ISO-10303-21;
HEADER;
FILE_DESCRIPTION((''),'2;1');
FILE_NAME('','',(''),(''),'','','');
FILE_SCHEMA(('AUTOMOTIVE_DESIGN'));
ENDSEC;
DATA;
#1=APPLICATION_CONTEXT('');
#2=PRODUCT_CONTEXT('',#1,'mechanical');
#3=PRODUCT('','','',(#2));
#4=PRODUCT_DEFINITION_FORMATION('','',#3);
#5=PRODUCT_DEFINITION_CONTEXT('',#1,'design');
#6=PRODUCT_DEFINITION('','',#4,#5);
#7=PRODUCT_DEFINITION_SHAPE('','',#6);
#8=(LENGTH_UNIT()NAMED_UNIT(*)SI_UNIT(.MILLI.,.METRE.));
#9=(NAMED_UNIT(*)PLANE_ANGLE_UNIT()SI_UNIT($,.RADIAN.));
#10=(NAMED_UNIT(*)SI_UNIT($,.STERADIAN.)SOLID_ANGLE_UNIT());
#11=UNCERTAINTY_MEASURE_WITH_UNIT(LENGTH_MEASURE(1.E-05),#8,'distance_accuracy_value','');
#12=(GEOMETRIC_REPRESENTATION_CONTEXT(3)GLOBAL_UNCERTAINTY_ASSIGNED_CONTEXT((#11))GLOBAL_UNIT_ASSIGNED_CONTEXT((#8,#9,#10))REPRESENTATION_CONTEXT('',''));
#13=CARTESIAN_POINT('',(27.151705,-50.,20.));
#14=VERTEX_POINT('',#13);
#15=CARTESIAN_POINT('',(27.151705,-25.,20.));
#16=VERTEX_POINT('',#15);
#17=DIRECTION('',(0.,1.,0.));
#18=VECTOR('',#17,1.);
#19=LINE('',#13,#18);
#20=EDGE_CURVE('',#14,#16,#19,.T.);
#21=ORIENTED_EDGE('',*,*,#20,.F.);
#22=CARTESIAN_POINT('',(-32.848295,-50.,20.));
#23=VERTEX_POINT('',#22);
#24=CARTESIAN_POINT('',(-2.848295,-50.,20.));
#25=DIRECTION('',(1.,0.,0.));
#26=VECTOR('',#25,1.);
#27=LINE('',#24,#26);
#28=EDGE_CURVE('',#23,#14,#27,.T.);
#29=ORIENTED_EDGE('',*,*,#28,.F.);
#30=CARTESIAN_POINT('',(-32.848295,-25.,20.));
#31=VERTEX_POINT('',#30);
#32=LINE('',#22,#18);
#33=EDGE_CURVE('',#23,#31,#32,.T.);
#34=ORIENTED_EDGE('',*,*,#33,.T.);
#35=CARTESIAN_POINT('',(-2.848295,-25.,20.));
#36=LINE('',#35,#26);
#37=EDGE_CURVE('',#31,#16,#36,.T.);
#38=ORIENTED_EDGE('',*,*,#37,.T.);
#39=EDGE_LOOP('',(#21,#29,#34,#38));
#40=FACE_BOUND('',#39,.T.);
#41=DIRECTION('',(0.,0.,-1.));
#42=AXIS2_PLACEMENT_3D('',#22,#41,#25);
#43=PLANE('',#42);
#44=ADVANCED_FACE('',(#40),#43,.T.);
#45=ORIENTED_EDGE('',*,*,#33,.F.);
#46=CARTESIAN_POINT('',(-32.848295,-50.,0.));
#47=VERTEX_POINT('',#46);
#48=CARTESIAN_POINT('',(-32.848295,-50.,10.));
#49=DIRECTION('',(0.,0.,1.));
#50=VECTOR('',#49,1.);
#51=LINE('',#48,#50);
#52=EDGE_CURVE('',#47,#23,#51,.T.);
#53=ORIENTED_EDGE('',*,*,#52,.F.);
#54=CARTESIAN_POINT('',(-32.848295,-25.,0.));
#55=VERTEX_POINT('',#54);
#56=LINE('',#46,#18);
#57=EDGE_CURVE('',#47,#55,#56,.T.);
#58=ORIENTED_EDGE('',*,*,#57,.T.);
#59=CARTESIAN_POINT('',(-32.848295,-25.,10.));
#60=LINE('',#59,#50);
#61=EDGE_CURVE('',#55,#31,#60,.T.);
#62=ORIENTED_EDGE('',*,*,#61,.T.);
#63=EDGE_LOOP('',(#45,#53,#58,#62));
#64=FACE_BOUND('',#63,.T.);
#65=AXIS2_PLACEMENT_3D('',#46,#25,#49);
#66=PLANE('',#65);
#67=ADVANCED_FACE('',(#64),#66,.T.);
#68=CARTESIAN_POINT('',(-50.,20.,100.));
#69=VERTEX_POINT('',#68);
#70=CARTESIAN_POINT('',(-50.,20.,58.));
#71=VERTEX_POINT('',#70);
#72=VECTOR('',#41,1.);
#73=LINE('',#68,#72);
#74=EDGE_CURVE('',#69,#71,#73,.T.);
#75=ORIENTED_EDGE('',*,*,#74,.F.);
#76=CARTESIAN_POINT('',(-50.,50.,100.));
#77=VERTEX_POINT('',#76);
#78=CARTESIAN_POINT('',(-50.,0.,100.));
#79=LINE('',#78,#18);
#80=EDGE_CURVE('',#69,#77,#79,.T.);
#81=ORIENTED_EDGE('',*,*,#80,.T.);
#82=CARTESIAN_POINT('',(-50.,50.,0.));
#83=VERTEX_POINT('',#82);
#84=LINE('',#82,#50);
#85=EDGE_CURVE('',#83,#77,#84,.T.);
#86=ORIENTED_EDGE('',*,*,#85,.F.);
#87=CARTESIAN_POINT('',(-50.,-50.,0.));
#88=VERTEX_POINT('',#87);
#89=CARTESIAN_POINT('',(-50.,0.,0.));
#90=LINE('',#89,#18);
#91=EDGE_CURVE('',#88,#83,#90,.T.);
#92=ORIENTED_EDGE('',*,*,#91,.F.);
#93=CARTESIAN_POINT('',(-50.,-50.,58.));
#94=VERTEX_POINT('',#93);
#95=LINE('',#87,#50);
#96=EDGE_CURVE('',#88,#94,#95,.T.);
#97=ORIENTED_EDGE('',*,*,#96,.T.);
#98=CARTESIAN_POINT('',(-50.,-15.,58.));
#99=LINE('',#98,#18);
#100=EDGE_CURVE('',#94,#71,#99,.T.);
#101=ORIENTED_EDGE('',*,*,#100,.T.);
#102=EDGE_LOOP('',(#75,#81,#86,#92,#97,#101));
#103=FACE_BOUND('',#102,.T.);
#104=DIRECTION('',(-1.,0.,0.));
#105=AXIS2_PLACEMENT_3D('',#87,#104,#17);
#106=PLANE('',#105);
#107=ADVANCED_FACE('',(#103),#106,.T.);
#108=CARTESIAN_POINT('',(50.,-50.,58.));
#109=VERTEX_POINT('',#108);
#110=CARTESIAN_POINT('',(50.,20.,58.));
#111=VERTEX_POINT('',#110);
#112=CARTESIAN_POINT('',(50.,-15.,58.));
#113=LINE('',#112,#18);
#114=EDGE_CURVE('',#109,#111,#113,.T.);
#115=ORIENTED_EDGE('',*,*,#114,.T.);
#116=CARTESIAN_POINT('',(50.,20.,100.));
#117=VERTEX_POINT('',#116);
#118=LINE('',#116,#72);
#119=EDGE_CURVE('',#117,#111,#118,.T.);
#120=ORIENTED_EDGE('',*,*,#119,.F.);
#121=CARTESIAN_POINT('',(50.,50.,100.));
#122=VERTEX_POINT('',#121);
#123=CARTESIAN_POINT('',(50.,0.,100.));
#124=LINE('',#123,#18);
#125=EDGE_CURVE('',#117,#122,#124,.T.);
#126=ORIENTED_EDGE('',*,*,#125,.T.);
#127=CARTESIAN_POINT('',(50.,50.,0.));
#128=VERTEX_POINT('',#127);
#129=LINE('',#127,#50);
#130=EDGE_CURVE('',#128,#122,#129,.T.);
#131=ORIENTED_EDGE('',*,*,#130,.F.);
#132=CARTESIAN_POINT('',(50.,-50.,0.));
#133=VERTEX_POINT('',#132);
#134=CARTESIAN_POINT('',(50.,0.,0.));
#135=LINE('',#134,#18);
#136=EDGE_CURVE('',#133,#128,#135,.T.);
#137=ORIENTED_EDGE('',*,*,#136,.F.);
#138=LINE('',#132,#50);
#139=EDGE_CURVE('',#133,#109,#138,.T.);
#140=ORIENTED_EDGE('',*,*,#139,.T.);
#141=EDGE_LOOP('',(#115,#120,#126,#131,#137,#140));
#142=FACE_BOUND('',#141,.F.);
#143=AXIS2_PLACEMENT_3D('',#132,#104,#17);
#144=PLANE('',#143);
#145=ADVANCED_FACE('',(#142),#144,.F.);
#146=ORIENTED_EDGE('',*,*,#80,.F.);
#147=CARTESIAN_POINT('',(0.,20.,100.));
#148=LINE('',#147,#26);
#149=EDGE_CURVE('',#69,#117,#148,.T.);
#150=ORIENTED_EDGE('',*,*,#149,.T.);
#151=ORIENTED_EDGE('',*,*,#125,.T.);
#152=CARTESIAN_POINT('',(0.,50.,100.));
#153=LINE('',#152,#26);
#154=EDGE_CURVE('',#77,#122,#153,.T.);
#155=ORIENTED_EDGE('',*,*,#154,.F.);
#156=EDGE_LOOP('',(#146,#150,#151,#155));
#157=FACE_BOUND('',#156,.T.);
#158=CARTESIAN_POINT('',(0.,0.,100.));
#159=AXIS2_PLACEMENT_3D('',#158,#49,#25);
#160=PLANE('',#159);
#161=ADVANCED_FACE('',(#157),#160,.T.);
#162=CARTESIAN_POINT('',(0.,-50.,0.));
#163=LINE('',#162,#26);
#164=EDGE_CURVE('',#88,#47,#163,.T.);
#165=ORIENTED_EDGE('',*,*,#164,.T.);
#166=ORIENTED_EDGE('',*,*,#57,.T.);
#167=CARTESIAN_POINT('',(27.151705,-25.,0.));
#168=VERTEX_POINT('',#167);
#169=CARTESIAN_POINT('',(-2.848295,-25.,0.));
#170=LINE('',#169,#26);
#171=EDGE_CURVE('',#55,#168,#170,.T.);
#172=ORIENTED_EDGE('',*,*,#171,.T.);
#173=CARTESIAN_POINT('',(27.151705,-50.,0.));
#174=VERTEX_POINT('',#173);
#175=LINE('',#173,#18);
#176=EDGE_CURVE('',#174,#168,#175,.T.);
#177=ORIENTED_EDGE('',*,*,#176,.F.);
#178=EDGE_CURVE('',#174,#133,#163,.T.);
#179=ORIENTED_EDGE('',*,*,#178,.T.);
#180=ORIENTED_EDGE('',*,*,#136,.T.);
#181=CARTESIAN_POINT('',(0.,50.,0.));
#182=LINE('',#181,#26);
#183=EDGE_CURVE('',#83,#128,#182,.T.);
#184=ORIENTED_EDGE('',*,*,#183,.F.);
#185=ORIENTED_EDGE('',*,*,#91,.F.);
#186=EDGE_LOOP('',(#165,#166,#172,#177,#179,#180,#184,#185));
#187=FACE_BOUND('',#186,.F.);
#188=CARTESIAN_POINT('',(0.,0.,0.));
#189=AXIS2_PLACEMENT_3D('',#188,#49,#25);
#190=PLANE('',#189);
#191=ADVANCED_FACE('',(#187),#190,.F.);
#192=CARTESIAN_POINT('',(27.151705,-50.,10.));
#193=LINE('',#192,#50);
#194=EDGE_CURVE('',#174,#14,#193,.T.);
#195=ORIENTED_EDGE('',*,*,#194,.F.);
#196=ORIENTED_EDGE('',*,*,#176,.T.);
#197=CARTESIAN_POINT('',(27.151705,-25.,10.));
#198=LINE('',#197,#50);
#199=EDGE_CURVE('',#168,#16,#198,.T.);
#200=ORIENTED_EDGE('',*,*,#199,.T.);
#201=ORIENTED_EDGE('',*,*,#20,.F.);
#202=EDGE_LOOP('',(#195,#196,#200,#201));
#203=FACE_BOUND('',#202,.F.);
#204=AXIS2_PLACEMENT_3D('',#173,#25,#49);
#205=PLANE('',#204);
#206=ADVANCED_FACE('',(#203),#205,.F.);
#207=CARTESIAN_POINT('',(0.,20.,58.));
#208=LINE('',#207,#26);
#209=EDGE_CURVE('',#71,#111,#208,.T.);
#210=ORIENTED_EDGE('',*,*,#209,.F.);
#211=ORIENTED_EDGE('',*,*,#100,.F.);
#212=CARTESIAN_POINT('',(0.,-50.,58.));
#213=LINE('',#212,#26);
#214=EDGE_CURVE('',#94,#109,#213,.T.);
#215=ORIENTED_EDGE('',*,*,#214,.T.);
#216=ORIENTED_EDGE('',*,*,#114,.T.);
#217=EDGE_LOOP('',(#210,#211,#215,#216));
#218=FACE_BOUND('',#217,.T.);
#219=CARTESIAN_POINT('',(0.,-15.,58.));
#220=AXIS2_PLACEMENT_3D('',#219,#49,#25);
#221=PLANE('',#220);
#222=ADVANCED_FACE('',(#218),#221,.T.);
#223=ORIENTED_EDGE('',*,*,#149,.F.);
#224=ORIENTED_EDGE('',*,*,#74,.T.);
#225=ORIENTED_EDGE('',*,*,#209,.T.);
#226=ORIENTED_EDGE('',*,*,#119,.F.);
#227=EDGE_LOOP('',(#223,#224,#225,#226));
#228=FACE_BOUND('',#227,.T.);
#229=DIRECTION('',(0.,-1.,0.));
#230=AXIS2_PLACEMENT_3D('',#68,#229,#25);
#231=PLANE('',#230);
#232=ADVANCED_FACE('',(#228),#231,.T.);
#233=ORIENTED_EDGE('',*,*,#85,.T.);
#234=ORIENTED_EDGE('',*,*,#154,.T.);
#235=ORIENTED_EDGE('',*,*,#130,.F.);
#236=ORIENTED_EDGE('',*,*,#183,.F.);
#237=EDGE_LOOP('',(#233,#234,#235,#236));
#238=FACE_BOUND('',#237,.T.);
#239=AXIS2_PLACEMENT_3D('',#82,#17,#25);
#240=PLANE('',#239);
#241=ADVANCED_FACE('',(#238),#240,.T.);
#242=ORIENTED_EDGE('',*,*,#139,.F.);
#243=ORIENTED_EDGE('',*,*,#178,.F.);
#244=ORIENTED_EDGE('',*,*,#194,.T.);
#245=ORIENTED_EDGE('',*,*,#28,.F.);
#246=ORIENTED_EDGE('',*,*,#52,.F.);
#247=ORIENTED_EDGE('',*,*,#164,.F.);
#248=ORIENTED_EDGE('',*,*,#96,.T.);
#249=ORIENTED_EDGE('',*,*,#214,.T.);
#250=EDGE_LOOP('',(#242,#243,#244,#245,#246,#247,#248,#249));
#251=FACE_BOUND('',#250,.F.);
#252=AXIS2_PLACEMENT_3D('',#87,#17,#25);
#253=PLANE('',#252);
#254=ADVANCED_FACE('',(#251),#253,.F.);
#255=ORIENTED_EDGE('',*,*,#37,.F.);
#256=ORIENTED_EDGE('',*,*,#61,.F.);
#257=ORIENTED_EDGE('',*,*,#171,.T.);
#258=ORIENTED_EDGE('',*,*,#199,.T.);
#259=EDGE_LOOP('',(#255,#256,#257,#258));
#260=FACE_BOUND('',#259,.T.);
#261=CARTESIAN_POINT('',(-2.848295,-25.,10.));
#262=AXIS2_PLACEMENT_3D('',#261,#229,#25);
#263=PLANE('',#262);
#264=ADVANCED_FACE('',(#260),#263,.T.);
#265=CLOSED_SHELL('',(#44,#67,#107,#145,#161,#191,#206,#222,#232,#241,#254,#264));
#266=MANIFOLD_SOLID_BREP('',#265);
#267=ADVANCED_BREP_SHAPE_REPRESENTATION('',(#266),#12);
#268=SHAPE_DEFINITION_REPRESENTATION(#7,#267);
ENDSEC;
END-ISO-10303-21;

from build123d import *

# Parameters (mm, degrees)
F0_W     = 100
F0_H     = 100
F1_DEPTH = 100
F2_W     = 100
F2_H     = 70
F3_DEPTH = 42
F4_W     = 60
F4_H     = 20
F5_DEPTH = 25


with BuildPart() as f1:
    # F0 (on Top) → F1 (new body)
    with BuildSketch(Plane.XY):
        Rectangle(F0_W, F0_H)
    extrude(amount=F1_DEPTH)

    # F2 (on face) → F3 (cut)
    with BuildSketch(Plane.XY.offset(100)):
        with Locations((0, -15)):
            Rectangle(F2_W, F2_H)
    extrude(amount=-F3_DEPTH, mode=Mode.SUBTRACT)

    # F4 (on face) → F5 (cut)
    with BuildSketch(Plane.XZ.offset(50)):
        with Locations((-2.848295, 10)):
            Rectangle(F4_W, F4_H)
    extrude(amount=-F5_DEPTH, mode=Mode.SUBTRACT)


solid = f1.part
